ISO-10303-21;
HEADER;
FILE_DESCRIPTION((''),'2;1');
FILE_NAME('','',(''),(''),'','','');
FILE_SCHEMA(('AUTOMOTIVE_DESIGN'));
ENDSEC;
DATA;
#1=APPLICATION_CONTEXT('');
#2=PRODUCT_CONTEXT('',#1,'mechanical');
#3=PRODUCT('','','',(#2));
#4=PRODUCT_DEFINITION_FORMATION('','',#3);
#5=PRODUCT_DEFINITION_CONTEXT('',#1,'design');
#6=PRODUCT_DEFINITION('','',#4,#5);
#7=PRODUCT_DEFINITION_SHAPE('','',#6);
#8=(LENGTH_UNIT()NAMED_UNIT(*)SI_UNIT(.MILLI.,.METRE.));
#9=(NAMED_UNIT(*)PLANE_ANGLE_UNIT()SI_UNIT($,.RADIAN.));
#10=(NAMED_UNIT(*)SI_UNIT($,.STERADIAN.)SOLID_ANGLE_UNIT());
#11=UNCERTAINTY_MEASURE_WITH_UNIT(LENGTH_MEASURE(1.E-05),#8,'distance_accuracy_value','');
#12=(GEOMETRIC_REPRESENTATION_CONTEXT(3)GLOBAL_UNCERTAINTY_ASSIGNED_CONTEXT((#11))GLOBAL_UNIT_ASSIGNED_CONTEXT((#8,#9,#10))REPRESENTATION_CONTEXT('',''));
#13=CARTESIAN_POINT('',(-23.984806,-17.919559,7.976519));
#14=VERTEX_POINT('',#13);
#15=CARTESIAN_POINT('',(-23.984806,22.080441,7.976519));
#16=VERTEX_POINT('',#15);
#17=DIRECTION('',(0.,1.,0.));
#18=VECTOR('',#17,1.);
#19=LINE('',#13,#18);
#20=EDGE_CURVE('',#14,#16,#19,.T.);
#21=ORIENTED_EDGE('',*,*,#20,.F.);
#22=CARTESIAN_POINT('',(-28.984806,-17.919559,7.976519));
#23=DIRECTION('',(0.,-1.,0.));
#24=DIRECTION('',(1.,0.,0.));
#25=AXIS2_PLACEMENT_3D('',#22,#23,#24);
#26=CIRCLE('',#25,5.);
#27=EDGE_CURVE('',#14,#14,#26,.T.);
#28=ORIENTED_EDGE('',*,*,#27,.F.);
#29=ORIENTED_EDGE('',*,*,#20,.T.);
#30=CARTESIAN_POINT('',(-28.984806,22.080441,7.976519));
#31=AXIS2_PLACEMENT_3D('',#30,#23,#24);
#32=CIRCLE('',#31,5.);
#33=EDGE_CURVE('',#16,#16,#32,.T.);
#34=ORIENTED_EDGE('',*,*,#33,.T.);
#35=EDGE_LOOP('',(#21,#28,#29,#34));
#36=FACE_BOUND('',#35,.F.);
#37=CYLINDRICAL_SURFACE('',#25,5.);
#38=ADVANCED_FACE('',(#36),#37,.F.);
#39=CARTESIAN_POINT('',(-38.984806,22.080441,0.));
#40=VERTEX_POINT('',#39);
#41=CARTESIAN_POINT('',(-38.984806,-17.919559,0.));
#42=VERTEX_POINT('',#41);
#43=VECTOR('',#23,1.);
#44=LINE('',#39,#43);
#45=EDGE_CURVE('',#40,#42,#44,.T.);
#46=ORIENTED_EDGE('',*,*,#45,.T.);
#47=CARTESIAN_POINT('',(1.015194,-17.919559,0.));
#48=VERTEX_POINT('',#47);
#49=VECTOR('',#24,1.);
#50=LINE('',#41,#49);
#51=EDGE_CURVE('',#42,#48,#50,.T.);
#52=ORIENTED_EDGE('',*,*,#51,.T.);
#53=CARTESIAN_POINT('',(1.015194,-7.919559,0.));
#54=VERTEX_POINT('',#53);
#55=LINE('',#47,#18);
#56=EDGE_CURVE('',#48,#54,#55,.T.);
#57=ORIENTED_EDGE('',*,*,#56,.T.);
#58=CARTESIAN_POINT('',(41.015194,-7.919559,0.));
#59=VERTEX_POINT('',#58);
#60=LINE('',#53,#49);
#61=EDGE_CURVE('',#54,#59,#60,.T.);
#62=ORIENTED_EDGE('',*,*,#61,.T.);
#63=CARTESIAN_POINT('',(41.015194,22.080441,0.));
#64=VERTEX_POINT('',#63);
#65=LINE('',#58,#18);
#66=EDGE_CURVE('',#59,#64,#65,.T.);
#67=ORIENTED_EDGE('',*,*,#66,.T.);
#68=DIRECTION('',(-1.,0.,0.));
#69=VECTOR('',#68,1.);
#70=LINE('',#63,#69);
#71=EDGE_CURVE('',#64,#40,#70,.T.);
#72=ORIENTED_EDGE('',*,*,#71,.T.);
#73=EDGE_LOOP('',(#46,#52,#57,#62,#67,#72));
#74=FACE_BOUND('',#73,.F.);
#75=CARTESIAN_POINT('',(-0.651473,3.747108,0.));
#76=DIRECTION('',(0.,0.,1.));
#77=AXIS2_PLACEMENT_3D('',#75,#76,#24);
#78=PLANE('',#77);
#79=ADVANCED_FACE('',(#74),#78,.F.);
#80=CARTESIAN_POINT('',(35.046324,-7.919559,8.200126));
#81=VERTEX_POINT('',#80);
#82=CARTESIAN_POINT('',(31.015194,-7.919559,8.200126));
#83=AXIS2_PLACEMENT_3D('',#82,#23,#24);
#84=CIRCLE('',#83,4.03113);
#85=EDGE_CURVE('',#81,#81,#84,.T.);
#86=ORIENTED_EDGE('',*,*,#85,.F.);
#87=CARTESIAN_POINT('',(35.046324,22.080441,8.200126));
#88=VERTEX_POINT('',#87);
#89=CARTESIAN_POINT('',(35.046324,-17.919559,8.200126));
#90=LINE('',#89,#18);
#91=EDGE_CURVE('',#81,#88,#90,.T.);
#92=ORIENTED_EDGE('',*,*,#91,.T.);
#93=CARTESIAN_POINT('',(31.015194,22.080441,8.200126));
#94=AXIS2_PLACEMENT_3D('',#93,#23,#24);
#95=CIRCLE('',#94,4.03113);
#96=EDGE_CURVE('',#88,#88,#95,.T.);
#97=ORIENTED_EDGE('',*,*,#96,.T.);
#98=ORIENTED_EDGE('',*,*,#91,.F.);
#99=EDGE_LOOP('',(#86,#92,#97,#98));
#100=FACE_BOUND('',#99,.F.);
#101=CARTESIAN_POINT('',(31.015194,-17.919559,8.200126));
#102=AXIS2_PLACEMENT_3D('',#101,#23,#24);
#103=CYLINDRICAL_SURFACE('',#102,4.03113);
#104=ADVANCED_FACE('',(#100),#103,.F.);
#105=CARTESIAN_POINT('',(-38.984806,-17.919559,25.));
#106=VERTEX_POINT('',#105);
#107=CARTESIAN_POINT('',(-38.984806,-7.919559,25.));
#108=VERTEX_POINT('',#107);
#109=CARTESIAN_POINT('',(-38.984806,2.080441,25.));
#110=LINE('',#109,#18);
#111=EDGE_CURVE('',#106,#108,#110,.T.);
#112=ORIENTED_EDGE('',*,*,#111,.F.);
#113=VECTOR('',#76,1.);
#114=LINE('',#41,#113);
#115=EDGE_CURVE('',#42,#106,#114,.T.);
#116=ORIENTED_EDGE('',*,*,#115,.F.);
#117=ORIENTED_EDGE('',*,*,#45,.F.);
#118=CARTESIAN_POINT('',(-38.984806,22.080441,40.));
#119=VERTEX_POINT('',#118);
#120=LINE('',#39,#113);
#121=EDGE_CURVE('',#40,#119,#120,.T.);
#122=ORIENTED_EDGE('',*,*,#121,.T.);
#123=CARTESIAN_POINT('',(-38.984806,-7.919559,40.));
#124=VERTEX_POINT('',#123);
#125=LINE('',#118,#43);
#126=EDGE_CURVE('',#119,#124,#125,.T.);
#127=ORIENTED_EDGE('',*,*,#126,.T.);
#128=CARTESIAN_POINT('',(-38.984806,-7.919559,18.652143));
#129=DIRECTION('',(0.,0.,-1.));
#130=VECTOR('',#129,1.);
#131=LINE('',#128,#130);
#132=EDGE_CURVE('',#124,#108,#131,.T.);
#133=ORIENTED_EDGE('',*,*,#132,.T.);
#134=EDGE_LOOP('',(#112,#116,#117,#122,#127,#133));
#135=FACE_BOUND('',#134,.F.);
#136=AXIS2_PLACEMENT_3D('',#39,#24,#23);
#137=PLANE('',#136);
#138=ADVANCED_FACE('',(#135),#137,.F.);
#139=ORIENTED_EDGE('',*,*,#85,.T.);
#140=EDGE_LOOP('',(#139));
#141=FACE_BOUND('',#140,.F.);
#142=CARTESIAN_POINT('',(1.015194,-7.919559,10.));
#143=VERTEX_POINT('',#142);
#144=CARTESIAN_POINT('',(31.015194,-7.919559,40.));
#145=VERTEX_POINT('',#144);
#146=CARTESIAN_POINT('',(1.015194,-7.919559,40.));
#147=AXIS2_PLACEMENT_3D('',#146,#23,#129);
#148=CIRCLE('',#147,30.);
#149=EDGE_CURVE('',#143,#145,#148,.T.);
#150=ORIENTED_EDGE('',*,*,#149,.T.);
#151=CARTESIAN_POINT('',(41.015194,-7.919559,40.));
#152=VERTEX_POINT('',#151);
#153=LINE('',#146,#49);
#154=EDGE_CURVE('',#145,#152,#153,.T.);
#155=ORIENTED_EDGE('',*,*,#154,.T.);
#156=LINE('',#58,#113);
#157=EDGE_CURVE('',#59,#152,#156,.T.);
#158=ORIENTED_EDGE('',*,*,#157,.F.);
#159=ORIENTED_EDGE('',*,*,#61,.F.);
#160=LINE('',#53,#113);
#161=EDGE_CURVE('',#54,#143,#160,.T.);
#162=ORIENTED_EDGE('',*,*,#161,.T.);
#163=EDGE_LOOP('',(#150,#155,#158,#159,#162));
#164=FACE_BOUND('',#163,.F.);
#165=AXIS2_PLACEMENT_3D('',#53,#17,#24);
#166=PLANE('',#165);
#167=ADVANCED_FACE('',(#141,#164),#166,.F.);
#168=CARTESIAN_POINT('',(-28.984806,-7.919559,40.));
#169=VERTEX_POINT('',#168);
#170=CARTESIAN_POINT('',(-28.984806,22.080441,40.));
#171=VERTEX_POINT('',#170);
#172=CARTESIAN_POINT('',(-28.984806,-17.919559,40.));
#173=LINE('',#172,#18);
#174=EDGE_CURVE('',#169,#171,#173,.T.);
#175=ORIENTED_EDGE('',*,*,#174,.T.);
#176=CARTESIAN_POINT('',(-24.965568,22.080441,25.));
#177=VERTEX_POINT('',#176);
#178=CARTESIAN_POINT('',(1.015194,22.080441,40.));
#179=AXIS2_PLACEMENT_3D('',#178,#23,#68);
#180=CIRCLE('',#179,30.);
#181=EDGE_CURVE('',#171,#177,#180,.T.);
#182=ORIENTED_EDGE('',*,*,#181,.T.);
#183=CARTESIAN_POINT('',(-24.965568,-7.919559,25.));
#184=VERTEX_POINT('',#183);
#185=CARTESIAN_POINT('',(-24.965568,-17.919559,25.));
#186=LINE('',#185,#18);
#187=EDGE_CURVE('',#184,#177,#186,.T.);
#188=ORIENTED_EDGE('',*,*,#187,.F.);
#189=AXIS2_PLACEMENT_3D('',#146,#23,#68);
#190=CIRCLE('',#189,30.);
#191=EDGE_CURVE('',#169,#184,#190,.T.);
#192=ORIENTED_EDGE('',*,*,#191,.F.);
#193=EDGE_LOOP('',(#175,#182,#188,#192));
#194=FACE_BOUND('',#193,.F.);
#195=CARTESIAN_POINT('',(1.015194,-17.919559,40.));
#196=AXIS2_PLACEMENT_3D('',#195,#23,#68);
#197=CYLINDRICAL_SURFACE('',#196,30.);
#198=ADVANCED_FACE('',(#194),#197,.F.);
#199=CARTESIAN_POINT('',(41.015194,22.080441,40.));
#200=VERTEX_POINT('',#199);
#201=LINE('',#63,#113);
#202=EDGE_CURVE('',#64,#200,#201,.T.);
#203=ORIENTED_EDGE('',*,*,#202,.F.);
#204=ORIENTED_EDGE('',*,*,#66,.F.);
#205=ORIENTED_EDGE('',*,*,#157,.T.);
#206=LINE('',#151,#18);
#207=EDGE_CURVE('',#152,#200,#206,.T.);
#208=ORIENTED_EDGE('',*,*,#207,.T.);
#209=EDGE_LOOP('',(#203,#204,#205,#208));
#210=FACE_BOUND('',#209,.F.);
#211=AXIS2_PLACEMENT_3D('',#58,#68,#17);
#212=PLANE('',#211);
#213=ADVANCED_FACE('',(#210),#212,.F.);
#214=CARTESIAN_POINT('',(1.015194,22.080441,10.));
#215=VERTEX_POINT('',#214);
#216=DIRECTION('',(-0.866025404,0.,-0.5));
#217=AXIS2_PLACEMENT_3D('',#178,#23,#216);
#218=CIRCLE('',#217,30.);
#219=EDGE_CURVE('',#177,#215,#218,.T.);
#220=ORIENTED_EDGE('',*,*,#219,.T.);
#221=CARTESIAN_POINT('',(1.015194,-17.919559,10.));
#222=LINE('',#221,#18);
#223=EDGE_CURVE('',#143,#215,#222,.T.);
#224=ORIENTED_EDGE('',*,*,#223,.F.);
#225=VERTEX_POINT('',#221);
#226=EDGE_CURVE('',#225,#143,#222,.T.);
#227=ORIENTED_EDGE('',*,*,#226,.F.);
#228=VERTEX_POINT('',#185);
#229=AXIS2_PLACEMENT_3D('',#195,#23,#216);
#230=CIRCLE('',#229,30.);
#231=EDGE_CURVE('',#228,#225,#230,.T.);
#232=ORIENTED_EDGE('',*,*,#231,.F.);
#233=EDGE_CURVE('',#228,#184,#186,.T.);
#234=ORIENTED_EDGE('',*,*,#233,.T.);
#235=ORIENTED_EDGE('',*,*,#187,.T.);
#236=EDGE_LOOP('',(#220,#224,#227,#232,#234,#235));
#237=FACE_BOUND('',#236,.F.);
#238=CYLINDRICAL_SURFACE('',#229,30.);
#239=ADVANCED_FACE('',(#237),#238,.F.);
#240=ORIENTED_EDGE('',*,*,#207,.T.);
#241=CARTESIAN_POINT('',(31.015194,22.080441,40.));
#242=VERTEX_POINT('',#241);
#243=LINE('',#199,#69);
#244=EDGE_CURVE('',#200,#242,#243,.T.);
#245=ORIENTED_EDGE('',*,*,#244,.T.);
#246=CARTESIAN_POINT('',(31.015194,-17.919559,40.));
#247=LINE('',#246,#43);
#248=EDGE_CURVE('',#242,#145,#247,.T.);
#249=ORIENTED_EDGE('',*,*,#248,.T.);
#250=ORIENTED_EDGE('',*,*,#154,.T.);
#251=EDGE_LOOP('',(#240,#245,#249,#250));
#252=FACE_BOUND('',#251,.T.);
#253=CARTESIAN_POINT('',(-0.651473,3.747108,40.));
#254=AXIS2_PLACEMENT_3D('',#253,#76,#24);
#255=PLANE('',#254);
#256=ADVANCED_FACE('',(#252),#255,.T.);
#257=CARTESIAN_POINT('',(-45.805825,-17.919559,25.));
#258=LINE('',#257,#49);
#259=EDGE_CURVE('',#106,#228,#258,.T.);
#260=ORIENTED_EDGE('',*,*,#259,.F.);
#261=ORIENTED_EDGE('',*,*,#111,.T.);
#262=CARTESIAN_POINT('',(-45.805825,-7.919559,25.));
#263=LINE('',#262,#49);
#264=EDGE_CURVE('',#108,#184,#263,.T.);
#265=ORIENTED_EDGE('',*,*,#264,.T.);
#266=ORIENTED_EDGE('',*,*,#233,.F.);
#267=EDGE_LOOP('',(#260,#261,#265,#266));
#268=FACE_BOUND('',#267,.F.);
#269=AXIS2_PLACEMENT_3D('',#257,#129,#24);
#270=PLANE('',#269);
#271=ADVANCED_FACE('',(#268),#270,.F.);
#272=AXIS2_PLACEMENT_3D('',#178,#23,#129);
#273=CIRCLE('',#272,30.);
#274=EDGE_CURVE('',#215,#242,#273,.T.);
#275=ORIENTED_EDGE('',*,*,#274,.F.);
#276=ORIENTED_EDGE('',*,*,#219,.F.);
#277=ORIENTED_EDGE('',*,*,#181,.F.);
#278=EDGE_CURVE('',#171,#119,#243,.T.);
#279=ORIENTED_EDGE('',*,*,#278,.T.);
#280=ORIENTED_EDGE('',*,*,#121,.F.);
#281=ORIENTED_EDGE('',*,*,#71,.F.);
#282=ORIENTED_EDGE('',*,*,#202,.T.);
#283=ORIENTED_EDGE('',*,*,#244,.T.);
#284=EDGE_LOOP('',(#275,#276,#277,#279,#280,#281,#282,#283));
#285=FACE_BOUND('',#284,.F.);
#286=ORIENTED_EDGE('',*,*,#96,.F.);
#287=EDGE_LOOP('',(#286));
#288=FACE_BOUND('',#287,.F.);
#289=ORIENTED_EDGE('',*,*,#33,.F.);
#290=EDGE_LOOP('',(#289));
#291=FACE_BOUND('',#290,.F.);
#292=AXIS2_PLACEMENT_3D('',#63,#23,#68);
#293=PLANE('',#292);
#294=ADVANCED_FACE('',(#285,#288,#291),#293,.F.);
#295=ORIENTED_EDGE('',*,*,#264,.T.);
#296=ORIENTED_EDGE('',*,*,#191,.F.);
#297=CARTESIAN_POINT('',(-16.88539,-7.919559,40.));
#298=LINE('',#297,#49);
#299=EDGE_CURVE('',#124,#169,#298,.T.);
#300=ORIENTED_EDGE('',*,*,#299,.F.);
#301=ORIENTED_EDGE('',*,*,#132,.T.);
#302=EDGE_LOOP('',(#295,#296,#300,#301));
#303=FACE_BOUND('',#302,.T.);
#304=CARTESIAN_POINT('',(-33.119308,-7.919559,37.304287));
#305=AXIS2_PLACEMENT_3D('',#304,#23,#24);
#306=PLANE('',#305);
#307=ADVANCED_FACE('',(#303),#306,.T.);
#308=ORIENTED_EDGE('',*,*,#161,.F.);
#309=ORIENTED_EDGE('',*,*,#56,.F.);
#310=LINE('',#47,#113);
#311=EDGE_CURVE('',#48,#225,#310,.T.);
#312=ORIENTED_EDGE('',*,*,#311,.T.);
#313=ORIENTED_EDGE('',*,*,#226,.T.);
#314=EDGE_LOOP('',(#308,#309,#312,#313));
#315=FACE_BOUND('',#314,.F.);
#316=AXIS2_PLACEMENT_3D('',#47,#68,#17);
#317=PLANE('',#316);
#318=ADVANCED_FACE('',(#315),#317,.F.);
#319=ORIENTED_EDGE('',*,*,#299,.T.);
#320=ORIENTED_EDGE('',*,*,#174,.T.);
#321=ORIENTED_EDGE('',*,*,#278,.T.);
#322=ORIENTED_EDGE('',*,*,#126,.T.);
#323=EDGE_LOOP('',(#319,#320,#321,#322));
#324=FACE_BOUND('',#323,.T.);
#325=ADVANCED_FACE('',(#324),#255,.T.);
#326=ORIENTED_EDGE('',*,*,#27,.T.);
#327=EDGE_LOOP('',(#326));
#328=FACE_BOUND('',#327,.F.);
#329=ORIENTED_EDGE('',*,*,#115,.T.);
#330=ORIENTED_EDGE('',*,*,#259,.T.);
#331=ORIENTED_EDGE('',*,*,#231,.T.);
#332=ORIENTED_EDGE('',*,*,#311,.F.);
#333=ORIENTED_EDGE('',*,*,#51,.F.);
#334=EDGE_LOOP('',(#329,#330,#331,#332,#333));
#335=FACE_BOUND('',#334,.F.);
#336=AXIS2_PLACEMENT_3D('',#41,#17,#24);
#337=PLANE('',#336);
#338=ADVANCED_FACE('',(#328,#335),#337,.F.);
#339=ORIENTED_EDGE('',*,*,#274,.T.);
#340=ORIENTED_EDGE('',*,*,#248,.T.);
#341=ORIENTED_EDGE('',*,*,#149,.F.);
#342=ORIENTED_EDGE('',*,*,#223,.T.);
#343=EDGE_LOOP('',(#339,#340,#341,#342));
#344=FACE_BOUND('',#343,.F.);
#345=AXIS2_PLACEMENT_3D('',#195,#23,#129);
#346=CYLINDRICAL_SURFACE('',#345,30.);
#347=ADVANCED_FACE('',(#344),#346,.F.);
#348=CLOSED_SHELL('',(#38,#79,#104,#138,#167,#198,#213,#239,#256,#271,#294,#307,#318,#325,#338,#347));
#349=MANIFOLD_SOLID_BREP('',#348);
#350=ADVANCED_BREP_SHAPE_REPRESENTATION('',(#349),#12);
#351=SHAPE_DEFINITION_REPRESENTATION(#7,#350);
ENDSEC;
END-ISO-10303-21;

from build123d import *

# Parameters (mm, degrees)
F1_DEPTH = 40
F2_R     = 5
F2_R_2   = 4.0311299375
F3_DEPTH = 40.001
F5_DEPTH = 10


with BuildPart() as f1:
    # F0 (on Top) → F1 (new body)
    with BuildSketch(Plane.XY):
        Polygon((41.0151937604, 22.0804412934), (-38.9848062396, 22.0804412934), (-38.9848062396, -17.9195587066), (1.0151937604, -17.9195587066), (1.0151937604, -7.9195587066), (41.0151937604, -7.9195587066), align=None)
    extrude(amount=F1_DEPTH)

    # F2 (on face) → F3 (cut, through all)
    with BuildSketch(Plane.XZ.offset(17.9195587066)):
        with BuildLine():
            ThreePointArc((1.0151937604, 10), (22.228397196, 18.7867965644), (31.0151937604, 40))
            ThreePointArc((31.0151937604, 40), (3.5208867316, 69.8951752417), (-28.5662397552, 44.9938753651))
            Line((-28.5662397552, 44.9938753651), (-24.9655683531, 44.9938753651))
            Line((-24.9655683531, 44.9938753651), (-24.9655683531, 40))
            Line((-24.9655683531, 40), (1.0151937604, 40))
            Line((1.0151937604, 40), (1.0151937604, 10))
        make_face()
        with BuildLine():
            ThreePointArc((-24.9655683531, 25), (-13.9848062396, 14.0192378865), (1.0151937604, 10))
            Line((1.0151937604, 10), (1.0151937604, 40))
            Line((1.0151937604, 40), (-24.9655683531, 40))
            Line((-24.9655683531, 40), (-24.9655683531, 25))
        make_face()
        with BuildLine():
            Line((-24.9655683531, 40), (-28.9848062396, 40))
            ThreePointArc((-28.9848062396, 40), (-27.9625810283, 32.2354286469), (-24.9655683531, 25))
            Line((-24.9655683531, 25), (-24.9655683531, 40))
        make_face()
        with Locations((-28.9848062396, 7.9765189439)):
            Circle(F2_R)
        with Locations((31.0151937604, 8.2001261983)):
            Circle(F2_R_2)
        with BuildLine():
            Line((-24.9655683531, 44.9938753651), (-28.5662397552, 44.9938753651))
            ThreePointArc((-28.5662397552, 44.9938753651), (-28.8799814813, 42.5056929712), (-28.9848062396, 40))
            Line((-28.9848062396, 40), (-24.9655683531, 40))
            Line((-24.9655683531, 40), (-24.9655683531, 44.9938753651))
        make_face()
    extrude(amount=-F3_DEPTH, mode=Mode.SUBTRACT)

    # F4 (on face) → F5 (cut)
    with BuildSketch(Plane.XZ.offset(17.9195587066)):
        with BuildLine():
            Line((-19.918359757, 48.6072202153), (-45.8058249796, 48.6072202153))
            Line((-45.8058249796, 48.6072202153), (-45.8058249796, 25))
            Line((-45.8058249796, 25), (-38.9848062396, 25))
            Line((-38.9848062396, 25), (-38.9848062396, 40))
            Line((-38.9848062396, 40), (-28.9848062396, 40))
            ThreePointArc((-28.9848062396, 40), (-27.9625810283, 32.2354286469), (-24.9655683531, 25))
            Line((-24.9655683531, 25), (-19.918359757, 25))
            Line((-19.918359757, 25), (-19.918359757, 48.6072202153))
        make_face()
        with BuildLine():
            Line((-38.9848062396, 40), (-38.9848062396, 25))
            Line((-38.9848062396, 25), (-24.9655683531, 25))
            ThreePointArc((-24.9655683531, 25), (-27.9625810283, 32.2354286469), (-28.9848062396, 40))
            Line((-28.9848062396, 40), (-38.9848062396, 40))
        make_face()
    extrude(amount=-F5_DEPTH, mode=Mode.SUBTRACT)


solid = f1.part
